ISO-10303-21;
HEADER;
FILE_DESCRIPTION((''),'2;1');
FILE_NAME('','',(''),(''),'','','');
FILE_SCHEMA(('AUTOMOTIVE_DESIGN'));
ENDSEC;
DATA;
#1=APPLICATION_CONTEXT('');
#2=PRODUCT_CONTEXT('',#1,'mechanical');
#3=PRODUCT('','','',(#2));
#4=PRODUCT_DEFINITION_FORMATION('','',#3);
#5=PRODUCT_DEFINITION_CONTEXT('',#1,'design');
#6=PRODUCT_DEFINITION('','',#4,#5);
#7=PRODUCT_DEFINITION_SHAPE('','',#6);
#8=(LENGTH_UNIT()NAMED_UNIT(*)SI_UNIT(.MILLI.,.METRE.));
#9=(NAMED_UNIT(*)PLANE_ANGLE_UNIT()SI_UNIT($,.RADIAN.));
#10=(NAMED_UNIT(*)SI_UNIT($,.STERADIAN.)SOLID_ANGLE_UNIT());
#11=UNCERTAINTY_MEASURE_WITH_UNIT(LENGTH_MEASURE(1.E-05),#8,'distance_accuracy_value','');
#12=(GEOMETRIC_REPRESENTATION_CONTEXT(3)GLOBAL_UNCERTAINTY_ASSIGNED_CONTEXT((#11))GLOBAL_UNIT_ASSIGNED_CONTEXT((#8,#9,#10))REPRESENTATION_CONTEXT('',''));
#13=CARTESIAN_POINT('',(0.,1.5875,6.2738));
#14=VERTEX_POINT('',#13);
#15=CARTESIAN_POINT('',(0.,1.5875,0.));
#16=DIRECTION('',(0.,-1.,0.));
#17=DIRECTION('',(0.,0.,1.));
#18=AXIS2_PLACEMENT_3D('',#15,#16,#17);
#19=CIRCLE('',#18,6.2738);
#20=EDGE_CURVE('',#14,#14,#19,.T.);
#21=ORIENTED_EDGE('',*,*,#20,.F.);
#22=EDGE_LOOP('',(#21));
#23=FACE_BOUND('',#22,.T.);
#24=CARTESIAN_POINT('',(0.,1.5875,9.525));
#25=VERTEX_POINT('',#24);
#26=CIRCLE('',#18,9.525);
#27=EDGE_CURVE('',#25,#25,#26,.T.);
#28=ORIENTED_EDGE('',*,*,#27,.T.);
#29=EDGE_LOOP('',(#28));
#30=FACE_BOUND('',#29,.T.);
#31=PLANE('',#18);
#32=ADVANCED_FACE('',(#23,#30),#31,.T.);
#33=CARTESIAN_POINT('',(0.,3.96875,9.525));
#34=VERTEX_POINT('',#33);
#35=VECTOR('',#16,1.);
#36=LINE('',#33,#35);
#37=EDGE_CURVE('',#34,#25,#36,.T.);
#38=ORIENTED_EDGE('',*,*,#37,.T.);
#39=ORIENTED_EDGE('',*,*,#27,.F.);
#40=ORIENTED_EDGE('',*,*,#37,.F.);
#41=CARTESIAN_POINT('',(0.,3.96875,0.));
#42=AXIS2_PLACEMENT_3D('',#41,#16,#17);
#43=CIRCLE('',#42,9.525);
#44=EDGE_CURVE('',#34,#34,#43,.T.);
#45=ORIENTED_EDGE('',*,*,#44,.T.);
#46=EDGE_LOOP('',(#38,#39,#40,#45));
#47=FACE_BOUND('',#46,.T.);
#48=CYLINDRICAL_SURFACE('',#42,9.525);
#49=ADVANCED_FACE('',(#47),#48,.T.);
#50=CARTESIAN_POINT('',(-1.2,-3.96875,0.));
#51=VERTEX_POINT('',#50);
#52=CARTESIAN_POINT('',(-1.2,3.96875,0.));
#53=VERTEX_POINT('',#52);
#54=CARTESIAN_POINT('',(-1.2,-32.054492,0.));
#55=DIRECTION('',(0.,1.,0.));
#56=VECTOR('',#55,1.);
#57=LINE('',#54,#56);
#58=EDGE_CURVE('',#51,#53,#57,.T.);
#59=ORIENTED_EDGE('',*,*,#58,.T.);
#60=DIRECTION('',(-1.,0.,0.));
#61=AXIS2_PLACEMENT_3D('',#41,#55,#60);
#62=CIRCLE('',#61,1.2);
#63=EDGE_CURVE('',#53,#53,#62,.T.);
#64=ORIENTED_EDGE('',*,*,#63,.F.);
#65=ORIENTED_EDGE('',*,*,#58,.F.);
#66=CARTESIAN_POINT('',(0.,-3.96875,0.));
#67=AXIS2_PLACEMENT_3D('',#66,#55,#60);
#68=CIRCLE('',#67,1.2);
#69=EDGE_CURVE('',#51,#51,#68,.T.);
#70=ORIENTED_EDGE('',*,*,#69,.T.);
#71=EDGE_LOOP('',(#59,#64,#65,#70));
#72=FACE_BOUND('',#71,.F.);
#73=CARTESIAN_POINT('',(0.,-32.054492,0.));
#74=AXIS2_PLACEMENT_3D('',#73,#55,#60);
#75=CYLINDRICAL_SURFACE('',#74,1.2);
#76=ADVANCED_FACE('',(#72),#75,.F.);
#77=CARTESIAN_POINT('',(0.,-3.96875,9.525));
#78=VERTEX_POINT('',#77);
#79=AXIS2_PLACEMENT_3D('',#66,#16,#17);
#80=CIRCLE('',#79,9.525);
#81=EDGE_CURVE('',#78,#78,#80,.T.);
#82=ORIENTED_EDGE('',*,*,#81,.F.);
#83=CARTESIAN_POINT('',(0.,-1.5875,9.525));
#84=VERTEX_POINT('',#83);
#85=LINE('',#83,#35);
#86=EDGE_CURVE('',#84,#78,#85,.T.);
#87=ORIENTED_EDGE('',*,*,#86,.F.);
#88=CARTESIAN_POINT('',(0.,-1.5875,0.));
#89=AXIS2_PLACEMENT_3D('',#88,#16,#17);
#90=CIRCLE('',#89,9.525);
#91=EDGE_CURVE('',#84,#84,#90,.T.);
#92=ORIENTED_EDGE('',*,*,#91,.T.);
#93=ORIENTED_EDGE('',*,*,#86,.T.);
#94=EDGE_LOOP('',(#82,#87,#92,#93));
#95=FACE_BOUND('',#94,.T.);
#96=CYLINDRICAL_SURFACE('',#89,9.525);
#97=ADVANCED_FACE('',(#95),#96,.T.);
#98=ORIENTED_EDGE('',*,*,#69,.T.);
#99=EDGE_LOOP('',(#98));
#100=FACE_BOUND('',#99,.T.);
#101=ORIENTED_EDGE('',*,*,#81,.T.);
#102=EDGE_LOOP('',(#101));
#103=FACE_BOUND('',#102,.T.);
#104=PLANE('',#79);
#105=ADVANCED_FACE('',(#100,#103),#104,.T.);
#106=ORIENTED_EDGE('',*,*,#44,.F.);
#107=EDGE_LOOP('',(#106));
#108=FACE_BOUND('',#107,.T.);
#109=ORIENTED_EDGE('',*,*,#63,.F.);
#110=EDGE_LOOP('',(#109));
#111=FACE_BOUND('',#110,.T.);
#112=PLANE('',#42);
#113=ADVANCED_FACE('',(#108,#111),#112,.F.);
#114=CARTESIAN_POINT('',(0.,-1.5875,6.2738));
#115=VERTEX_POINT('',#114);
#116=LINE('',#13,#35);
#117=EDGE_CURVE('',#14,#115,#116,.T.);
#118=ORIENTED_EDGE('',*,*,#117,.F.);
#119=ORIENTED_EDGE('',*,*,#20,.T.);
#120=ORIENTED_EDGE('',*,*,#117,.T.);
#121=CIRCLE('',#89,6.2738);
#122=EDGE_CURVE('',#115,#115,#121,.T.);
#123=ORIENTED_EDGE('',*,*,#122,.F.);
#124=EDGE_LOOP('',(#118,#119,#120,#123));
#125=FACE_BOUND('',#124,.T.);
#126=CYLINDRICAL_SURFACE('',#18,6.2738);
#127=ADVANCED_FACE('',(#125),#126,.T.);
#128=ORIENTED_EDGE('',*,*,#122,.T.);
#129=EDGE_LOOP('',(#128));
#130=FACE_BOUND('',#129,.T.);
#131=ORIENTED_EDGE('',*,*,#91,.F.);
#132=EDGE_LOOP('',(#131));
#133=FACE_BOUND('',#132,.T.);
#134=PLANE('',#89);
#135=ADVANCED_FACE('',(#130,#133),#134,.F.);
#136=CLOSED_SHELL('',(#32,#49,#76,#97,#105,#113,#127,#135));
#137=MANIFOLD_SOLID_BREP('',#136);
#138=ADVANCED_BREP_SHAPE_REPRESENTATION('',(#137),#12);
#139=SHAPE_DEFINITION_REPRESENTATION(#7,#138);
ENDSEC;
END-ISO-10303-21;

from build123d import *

# Parameters (mm, degrees)
F3_D = 2.4


with BuildPart() as f1:
    # F0 (on Right) → F1 (revolve)
    with BuildSketch(Plane.YZ):
        Polygon((-3.96875, 0), (0, 0), (3.96875, 0), (3.96875, 9.525), (1.5875, 9.525), (1.5875, 6.2738), (-1.5875, 6.2738), (-1.5875, 9.525), (-3.96875, 9.525), align=None)
    revolve(axis=Axis((0, 1.984375, 0), (0, -1, 0)))

    # F3 (through all)
    with Locations(Plane.XZ.offset(3.96875)):
        with Locations((0, 0)):
            Hole(F3_D / 2)


solid = f1.part
